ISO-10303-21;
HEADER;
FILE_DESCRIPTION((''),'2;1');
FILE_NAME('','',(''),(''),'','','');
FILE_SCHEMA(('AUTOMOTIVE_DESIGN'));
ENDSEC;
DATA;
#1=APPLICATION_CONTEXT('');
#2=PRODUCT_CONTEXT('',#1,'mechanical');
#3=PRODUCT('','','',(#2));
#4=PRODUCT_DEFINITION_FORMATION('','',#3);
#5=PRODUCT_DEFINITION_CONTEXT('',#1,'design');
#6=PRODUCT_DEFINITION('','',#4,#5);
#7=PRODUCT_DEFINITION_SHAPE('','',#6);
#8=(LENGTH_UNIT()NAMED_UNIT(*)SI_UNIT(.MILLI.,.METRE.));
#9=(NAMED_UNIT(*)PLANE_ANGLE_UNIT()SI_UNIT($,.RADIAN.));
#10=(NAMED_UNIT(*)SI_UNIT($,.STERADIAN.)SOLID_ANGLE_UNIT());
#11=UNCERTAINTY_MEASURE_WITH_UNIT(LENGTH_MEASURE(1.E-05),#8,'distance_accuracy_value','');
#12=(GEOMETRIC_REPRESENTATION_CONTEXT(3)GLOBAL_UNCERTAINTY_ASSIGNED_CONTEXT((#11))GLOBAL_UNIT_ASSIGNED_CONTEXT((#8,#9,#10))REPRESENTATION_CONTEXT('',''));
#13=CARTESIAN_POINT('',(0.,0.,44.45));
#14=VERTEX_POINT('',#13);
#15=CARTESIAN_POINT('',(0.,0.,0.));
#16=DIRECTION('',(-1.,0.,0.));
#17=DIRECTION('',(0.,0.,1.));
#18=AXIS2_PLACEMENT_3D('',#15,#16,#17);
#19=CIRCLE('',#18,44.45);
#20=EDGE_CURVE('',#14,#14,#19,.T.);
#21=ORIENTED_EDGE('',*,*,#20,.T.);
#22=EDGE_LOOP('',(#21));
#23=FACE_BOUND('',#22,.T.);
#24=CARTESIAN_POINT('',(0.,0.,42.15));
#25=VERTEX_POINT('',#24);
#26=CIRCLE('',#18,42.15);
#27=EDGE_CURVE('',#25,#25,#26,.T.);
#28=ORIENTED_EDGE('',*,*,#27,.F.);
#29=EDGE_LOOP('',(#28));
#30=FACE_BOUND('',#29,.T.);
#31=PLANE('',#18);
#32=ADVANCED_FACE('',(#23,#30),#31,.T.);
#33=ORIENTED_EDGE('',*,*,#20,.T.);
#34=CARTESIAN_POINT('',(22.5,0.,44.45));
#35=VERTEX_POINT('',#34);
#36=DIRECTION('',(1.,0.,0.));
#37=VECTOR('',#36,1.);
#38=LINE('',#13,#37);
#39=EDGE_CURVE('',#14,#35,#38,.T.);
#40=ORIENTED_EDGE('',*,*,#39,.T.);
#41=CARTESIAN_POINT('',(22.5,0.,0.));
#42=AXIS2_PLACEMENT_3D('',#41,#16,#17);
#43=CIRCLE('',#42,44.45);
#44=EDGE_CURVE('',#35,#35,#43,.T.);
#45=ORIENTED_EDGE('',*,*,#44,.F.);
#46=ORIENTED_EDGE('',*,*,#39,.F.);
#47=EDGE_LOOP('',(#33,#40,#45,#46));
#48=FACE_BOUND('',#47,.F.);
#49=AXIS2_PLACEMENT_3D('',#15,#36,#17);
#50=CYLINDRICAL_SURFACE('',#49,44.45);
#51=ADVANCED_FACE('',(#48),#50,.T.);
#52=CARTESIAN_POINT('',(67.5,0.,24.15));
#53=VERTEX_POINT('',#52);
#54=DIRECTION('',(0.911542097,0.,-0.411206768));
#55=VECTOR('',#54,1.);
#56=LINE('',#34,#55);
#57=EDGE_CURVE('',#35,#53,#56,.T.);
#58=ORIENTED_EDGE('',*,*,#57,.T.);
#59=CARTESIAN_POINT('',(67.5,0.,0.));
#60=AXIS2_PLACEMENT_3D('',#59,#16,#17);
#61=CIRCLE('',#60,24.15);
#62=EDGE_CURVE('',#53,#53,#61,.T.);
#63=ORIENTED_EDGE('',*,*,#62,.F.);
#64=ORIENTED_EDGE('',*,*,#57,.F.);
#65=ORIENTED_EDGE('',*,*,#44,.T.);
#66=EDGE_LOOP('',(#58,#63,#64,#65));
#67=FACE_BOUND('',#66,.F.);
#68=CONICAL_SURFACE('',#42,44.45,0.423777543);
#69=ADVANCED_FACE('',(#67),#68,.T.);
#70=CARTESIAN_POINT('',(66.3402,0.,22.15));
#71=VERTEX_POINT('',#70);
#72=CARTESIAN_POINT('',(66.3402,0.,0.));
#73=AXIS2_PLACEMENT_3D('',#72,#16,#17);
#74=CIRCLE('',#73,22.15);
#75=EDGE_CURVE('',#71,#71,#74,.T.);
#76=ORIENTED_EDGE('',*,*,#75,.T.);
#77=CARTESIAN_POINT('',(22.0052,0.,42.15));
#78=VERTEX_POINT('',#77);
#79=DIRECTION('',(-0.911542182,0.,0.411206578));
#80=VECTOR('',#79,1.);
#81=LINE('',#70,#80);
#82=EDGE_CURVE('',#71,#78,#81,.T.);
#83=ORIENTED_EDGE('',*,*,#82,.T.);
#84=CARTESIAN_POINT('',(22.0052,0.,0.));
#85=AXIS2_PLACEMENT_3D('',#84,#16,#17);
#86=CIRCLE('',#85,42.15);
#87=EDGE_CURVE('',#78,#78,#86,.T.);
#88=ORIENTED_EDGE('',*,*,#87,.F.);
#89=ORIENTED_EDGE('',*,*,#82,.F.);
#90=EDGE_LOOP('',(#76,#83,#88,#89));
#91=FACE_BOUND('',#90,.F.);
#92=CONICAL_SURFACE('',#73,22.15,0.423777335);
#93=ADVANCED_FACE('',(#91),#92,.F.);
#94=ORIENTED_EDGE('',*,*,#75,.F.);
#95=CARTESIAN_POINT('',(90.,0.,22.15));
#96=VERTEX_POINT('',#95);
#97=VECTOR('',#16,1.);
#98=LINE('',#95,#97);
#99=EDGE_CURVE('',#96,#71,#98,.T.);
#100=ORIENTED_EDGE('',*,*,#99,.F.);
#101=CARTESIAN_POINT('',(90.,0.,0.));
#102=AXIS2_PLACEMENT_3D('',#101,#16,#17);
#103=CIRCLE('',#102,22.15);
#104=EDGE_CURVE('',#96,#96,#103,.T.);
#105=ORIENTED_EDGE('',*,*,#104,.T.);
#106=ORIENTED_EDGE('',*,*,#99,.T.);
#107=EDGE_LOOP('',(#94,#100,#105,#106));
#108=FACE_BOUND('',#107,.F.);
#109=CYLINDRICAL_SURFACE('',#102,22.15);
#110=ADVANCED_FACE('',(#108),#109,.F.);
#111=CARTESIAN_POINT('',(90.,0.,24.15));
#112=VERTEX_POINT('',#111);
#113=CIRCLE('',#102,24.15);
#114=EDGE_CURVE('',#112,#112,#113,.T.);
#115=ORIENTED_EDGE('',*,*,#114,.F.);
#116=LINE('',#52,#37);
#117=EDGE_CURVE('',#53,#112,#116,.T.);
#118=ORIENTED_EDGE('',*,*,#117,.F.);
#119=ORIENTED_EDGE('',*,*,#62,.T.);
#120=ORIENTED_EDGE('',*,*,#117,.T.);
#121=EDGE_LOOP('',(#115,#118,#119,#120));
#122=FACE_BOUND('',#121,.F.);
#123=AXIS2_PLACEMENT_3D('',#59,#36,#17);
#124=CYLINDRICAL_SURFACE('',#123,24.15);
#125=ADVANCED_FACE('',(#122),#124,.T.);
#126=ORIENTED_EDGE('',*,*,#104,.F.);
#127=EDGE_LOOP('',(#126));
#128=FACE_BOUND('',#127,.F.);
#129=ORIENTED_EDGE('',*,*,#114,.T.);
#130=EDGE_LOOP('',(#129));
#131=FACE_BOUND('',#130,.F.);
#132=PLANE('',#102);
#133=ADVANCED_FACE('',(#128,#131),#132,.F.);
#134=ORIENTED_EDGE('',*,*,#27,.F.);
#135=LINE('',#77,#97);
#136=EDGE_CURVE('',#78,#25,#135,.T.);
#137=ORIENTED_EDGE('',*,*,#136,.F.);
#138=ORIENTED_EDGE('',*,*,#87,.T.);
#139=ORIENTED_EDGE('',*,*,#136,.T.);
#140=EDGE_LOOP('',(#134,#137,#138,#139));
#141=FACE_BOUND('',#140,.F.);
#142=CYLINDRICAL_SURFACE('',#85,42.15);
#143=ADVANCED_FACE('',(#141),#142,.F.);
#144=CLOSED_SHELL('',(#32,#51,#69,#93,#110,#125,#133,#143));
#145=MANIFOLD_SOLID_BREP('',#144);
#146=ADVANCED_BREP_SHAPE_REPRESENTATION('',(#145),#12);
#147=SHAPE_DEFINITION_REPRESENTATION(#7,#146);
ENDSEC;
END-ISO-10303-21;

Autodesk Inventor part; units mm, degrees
ref_plane "YZ Plane" through (0, 0, 0) normal (1, 0, 0) x (0, 1, 0)
ref_plane "XZ Plane" through (0, 0, 0) normal (0, 1, 0) x (-1, 0, 0)
ref_plane "XY Plane" through (0, 0, 0) normal (0, 0, 1) x (1, 0, 0)
sketch "Sketch1" plane through (0, 0, 0) normal (0, 1, 0) x (-1, 0, 0)
  line L0 (0, 44.45) -> (-22.5, 44.45)
  line L1 (-22.5, 44.45) -> (-67.5, 24.15)
  line L2 (-67.5, 24.15) -> (-90, 24.15)
  line L3 (-90, 0) -> (0, 0)
  line L4 (-90, 22.15) -> (-66.3402, 22.15)
  line L5 (-66.3402, 22.15) -> (-22.0052, 42.15)
  line L6 (-22.0052, 42.15) -> (0, 42.15)
  line L7 (-90, 0) -> (-90, 22.15) construction
  line L8 (-90, 24.15) -> (-90, 22.15)
  line L9 (0, 44.45) -> (0, 42.15)
  line L10 (0, 0) -> (0, 42.15) construction
  line L11 (-45, 34.3) -> (-44.0542, 32.2035) construction
  dimension "d0" = 88.9
  dimension "d1" = 48.3
  dimension "d2" = 2.3
  dimension "d3" = 2
  dimension "d4" = 90
  dimension "d5" = 22.5
  dimension "d6" = 22.5
  dimension "d10" = 2.3
revolve "Revolution1" add sketch "Sketch1" angle 360 about axis through (90, 0, 0) along (-1, 0, 0)
equation "\"d0\" = D1"
equation "\"d1\" = D2"
equation "\"d2\" = s1"
equation "\"d3\" = s2"
equation "\"d4\" = L"
equation "\"d5\" = 0.25 * L"
equation "\"d6\" = 0.25 * L"
equation "\"d10\" = s3"
equation "\"s1\" = 2.3"
equation "\"D1\" = 88.9"
equation "\"D2\" = 48.3"
equation "\"L\" = 90"
equation "\"s2\" = 2"
equation "\"s3\" = 2.3"
equation "\"Size_Designation\" = 1.2345"
properties part number "DIN 2616 Concentric Reducer (K) 88.9 x 2.3 - 48.3 x 2" material "Steel"
